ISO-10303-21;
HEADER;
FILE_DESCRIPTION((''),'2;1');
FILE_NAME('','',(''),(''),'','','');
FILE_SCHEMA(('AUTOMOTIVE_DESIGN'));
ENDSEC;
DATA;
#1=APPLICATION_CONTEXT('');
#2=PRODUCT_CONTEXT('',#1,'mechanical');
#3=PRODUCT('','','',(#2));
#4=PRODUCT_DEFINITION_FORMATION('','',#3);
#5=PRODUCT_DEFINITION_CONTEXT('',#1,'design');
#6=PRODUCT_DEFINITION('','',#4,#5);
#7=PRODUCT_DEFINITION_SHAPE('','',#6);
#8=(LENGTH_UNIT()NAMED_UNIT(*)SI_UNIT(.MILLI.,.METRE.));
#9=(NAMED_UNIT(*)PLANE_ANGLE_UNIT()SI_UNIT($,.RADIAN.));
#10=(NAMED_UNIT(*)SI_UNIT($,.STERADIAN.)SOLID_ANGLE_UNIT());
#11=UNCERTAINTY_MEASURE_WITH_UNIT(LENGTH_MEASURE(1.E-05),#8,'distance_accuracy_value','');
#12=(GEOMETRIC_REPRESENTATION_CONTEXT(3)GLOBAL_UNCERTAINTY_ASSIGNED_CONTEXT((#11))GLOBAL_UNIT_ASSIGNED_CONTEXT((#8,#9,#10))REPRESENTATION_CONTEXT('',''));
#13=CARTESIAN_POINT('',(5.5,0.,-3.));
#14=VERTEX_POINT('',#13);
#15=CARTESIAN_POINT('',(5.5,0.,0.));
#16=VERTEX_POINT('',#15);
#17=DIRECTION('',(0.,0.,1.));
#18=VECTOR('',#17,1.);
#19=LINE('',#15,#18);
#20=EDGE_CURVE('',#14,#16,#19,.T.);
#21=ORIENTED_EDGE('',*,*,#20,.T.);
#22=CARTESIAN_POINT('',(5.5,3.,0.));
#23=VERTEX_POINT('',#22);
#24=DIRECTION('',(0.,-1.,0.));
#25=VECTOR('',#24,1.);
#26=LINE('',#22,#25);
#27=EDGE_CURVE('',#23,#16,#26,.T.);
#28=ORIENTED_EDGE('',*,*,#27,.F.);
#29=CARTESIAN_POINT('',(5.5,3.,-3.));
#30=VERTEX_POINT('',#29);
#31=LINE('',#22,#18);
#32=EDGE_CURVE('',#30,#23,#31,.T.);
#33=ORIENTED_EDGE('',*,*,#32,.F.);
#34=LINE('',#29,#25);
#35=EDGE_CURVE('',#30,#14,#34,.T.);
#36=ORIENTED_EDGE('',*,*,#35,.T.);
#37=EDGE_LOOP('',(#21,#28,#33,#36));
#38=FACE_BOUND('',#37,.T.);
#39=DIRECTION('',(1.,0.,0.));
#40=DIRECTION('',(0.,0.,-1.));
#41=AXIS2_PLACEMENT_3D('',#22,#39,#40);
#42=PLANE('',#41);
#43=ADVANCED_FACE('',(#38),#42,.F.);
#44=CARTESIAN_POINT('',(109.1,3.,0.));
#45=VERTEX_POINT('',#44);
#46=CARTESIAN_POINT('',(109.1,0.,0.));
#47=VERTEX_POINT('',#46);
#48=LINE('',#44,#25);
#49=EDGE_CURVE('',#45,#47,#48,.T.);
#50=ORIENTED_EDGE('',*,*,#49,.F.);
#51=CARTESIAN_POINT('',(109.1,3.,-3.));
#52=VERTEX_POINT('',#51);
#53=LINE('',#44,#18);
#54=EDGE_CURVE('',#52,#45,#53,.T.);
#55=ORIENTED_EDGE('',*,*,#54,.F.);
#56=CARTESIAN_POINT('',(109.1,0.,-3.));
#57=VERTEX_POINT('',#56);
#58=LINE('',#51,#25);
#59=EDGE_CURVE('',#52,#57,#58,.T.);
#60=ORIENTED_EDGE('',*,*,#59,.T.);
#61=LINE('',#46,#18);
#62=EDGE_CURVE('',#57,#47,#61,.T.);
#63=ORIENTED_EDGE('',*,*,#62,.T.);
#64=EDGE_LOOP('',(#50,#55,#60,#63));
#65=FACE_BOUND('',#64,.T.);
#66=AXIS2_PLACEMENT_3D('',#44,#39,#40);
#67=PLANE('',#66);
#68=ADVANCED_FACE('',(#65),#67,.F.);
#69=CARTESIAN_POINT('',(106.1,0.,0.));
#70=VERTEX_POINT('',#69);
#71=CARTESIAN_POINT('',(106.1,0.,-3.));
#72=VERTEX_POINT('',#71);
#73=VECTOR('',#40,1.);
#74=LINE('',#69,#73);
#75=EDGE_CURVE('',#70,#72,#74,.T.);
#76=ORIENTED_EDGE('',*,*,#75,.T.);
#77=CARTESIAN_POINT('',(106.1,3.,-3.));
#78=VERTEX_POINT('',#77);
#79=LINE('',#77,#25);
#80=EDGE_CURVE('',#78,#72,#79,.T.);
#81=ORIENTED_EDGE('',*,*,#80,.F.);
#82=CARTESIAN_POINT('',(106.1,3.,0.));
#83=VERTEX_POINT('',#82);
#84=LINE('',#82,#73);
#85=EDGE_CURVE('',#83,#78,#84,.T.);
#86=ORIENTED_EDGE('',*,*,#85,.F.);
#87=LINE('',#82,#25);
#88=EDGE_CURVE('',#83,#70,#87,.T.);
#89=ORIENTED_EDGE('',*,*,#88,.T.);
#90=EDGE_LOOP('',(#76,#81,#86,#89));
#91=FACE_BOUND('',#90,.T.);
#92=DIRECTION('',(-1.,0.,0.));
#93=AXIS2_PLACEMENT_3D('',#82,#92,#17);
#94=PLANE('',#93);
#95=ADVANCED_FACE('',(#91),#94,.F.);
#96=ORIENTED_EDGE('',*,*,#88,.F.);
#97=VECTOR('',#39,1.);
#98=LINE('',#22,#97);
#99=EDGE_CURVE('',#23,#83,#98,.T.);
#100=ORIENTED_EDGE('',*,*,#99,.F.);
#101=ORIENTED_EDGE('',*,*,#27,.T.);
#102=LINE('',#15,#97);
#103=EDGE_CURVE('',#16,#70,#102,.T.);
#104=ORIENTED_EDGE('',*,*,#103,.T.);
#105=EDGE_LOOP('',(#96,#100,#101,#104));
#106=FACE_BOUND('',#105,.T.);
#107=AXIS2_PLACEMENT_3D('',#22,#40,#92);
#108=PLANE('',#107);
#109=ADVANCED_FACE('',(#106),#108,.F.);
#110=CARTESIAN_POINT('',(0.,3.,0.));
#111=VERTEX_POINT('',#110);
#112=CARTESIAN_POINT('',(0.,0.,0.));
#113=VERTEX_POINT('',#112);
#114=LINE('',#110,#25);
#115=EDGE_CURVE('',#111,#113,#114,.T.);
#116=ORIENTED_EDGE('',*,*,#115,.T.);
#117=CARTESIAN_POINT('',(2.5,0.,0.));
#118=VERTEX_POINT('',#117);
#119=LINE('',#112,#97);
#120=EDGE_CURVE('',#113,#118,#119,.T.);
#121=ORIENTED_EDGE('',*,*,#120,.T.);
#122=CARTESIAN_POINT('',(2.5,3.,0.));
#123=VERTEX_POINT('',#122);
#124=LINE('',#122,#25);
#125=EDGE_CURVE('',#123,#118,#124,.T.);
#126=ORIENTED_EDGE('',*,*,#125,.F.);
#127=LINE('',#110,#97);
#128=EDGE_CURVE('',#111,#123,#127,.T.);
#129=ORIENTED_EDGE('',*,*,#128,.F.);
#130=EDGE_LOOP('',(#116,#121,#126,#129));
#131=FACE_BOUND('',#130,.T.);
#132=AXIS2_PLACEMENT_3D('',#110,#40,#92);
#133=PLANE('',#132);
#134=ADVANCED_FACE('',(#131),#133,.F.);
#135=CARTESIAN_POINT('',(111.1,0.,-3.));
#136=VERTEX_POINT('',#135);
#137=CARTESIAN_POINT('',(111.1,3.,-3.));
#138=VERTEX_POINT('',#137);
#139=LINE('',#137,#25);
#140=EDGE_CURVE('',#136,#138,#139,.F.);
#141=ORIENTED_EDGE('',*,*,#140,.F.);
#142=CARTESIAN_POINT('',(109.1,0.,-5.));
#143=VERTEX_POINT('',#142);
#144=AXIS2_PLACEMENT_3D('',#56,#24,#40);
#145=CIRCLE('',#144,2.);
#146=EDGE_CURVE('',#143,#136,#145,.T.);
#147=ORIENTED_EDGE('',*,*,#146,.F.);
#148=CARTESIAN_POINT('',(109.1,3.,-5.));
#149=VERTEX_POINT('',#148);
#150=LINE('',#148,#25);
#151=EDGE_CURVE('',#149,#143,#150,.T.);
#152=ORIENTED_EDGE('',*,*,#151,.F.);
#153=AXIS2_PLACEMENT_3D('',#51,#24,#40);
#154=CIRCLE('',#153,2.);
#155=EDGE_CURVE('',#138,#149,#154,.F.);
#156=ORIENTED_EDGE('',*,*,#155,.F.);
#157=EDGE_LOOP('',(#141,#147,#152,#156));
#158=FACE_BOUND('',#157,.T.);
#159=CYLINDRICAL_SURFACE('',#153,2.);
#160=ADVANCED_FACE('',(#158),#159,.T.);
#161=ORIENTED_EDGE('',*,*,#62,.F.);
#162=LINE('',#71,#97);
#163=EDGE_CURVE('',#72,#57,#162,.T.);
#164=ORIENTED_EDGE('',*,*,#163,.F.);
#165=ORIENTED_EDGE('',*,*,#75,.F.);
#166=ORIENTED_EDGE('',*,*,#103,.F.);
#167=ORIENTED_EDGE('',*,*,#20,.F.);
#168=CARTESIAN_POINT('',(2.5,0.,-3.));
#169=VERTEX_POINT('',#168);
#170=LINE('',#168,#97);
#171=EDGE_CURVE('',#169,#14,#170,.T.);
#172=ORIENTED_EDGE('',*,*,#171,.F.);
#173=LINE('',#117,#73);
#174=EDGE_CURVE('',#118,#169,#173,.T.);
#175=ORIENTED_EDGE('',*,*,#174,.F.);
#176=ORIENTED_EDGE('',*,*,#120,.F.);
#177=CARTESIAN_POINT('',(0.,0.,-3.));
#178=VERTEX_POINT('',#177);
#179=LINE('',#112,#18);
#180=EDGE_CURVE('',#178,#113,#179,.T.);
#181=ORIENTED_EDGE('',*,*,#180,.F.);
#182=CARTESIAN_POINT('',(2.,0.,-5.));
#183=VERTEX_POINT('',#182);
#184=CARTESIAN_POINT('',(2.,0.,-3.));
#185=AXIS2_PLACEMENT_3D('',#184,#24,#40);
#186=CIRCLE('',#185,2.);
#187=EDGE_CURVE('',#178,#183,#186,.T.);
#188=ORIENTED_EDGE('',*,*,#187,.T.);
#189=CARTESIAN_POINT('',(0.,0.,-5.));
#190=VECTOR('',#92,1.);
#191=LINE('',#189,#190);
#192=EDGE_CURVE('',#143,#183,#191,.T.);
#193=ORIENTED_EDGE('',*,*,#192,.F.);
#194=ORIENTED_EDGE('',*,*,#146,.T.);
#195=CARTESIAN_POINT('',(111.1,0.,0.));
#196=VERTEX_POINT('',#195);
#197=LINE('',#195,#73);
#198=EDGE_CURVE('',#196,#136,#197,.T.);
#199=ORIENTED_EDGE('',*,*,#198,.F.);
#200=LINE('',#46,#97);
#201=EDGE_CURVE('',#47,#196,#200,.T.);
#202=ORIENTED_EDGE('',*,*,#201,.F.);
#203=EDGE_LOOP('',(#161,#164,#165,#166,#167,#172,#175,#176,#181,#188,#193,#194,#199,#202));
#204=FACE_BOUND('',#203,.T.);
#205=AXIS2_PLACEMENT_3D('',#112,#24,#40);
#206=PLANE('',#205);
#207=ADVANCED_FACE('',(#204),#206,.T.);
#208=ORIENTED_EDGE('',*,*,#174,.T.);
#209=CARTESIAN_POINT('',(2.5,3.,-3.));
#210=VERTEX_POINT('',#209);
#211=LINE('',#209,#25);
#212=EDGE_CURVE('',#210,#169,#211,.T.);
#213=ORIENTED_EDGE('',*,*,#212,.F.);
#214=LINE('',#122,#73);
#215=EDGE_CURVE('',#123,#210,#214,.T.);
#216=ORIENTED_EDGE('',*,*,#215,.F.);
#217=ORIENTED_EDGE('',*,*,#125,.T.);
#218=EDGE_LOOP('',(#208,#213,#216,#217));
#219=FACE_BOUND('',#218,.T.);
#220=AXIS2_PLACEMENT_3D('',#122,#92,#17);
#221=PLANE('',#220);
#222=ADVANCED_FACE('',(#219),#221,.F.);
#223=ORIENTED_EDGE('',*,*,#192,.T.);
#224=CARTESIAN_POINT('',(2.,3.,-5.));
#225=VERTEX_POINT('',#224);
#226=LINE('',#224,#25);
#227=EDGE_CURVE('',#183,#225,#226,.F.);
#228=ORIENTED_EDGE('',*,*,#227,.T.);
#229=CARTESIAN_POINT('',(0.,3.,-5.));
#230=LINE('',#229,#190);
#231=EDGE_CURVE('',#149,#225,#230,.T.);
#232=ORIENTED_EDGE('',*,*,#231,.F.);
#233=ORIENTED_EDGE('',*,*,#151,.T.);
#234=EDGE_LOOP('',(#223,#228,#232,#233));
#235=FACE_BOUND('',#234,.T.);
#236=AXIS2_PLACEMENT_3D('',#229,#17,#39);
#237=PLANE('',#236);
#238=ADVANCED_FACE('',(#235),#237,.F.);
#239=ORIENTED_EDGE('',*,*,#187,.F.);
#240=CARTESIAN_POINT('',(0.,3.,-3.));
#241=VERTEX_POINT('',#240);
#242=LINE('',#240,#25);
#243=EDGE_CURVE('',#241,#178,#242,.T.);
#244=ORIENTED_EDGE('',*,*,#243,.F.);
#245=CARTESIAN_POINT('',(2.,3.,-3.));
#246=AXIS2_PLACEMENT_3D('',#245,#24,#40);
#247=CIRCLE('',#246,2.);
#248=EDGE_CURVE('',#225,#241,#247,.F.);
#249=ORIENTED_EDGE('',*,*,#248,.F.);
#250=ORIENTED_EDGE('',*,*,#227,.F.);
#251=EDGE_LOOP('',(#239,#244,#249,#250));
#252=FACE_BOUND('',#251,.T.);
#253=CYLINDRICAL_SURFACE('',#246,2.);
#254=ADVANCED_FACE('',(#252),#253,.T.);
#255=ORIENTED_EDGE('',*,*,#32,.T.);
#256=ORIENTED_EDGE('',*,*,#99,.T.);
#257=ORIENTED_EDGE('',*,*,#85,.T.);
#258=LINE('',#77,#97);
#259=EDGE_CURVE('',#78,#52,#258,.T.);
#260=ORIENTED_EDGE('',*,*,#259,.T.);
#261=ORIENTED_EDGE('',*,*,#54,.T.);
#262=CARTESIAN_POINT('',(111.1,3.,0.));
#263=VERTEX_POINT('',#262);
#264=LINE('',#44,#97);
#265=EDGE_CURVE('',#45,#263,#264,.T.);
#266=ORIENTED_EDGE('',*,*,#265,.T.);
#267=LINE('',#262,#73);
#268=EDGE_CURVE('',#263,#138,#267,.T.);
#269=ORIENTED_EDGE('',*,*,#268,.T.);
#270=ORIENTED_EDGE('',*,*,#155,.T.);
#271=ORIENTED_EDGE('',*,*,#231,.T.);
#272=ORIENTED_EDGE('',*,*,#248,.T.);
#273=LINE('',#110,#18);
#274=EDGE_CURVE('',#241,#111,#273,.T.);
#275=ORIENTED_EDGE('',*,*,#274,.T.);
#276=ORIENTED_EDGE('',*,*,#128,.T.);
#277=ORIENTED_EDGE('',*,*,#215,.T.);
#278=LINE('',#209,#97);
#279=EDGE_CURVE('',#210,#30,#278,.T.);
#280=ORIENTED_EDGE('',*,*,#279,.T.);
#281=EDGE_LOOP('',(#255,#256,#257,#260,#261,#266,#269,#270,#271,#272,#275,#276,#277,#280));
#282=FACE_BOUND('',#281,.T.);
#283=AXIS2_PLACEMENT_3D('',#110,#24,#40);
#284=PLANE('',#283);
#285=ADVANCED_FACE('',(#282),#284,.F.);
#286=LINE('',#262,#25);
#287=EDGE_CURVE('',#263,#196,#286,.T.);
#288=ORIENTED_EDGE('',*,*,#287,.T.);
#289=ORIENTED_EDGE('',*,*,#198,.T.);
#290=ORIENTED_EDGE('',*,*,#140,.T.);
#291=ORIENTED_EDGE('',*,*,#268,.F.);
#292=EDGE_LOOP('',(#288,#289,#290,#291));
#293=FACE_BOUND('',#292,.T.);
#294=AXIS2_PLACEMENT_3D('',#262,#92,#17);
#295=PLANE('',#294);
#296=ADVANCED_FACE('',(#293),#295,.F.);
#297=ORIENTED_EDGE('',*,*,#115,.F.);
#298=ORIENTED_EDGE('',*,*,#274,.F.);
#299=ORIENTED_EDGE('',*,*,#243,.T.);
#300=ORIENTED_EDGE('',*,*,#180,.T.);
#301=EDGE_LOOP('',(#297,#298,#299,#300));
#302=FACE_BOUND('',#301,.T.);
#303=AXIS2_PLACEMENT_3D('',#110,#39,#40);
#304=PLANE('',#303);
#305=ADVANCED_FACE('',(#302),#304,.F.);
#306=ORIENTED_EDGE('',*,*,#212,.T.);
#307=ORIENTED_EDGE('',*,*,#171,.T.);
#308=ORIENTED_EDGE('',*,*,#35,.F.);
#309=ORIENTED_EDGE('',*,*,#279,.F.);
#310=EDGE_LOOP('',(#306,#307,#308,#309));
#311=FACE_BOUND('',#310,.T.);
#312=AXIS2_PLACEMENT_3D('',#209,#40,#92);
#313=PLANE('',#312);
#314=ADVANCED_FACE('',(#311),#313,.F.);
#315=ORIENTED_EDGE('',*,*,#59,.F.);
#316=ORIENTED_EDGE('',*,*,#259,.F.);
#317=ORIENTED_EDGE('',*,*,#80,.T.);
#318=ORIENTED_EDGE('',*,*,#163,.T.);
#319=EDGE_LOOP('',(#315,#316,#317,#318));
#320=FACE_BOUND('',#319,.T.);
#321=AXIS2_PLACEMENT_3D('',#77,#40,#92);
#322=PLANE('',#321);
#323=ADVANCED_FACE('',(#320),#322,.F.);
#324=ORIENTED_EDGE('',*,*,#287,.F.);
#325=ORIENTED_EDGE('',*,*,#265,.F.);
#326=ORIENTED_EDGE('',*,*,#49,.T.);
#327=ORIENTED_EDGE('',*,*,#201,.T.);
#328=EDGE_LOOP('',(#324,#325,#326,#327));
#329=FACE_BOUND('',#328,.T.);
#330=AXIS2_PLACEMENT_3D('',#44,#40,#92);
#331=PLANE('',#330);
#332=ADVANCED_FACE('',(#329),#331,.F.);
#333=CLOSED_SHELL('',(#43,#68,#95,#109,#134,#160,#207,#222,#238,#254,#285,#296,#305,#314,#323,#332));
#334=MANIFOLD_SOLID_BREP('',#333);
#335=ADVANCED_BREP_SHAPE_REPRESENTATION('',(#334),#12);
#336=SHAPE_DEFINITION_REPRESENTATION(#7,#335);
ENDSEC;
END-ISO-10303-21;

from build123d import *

# Parameters (mm, degrees)
SALIENTE_EXTRUIR1_DEPTH = 3
REDONDEO1_R             = 2


with BuildPart() as part:
    # Croquis1 → Saliente-Extruir1 (new body)
    with BuildSketch(Plane(origin=(0, 0, 0), x_dir=(1, 0, 0), z_dir=(0, 1, 0))):
        Polygon((0, 0), (2.5, 0), (2.5, 3), (5.5, 3), (5.5, 0), (106.1, 0), (106.1, 3), (109.1, 3), (109.1, 0), (111.1, 0), (111.1, 5), (0, 5), align=None)
    extrude(amount=SALIENTE_EXTRUIR1_DEPTH)

    # Redondeo1
    redondeo1_edges = [part.edges().sort_by_distance(p)[0] for p in [
        (0, 1.5, -5),
        (111.1, 1.5, -5),
    ]]
    fillet(redondeo1_edges, radius=REDONDEO1_R)


solid = part.part
